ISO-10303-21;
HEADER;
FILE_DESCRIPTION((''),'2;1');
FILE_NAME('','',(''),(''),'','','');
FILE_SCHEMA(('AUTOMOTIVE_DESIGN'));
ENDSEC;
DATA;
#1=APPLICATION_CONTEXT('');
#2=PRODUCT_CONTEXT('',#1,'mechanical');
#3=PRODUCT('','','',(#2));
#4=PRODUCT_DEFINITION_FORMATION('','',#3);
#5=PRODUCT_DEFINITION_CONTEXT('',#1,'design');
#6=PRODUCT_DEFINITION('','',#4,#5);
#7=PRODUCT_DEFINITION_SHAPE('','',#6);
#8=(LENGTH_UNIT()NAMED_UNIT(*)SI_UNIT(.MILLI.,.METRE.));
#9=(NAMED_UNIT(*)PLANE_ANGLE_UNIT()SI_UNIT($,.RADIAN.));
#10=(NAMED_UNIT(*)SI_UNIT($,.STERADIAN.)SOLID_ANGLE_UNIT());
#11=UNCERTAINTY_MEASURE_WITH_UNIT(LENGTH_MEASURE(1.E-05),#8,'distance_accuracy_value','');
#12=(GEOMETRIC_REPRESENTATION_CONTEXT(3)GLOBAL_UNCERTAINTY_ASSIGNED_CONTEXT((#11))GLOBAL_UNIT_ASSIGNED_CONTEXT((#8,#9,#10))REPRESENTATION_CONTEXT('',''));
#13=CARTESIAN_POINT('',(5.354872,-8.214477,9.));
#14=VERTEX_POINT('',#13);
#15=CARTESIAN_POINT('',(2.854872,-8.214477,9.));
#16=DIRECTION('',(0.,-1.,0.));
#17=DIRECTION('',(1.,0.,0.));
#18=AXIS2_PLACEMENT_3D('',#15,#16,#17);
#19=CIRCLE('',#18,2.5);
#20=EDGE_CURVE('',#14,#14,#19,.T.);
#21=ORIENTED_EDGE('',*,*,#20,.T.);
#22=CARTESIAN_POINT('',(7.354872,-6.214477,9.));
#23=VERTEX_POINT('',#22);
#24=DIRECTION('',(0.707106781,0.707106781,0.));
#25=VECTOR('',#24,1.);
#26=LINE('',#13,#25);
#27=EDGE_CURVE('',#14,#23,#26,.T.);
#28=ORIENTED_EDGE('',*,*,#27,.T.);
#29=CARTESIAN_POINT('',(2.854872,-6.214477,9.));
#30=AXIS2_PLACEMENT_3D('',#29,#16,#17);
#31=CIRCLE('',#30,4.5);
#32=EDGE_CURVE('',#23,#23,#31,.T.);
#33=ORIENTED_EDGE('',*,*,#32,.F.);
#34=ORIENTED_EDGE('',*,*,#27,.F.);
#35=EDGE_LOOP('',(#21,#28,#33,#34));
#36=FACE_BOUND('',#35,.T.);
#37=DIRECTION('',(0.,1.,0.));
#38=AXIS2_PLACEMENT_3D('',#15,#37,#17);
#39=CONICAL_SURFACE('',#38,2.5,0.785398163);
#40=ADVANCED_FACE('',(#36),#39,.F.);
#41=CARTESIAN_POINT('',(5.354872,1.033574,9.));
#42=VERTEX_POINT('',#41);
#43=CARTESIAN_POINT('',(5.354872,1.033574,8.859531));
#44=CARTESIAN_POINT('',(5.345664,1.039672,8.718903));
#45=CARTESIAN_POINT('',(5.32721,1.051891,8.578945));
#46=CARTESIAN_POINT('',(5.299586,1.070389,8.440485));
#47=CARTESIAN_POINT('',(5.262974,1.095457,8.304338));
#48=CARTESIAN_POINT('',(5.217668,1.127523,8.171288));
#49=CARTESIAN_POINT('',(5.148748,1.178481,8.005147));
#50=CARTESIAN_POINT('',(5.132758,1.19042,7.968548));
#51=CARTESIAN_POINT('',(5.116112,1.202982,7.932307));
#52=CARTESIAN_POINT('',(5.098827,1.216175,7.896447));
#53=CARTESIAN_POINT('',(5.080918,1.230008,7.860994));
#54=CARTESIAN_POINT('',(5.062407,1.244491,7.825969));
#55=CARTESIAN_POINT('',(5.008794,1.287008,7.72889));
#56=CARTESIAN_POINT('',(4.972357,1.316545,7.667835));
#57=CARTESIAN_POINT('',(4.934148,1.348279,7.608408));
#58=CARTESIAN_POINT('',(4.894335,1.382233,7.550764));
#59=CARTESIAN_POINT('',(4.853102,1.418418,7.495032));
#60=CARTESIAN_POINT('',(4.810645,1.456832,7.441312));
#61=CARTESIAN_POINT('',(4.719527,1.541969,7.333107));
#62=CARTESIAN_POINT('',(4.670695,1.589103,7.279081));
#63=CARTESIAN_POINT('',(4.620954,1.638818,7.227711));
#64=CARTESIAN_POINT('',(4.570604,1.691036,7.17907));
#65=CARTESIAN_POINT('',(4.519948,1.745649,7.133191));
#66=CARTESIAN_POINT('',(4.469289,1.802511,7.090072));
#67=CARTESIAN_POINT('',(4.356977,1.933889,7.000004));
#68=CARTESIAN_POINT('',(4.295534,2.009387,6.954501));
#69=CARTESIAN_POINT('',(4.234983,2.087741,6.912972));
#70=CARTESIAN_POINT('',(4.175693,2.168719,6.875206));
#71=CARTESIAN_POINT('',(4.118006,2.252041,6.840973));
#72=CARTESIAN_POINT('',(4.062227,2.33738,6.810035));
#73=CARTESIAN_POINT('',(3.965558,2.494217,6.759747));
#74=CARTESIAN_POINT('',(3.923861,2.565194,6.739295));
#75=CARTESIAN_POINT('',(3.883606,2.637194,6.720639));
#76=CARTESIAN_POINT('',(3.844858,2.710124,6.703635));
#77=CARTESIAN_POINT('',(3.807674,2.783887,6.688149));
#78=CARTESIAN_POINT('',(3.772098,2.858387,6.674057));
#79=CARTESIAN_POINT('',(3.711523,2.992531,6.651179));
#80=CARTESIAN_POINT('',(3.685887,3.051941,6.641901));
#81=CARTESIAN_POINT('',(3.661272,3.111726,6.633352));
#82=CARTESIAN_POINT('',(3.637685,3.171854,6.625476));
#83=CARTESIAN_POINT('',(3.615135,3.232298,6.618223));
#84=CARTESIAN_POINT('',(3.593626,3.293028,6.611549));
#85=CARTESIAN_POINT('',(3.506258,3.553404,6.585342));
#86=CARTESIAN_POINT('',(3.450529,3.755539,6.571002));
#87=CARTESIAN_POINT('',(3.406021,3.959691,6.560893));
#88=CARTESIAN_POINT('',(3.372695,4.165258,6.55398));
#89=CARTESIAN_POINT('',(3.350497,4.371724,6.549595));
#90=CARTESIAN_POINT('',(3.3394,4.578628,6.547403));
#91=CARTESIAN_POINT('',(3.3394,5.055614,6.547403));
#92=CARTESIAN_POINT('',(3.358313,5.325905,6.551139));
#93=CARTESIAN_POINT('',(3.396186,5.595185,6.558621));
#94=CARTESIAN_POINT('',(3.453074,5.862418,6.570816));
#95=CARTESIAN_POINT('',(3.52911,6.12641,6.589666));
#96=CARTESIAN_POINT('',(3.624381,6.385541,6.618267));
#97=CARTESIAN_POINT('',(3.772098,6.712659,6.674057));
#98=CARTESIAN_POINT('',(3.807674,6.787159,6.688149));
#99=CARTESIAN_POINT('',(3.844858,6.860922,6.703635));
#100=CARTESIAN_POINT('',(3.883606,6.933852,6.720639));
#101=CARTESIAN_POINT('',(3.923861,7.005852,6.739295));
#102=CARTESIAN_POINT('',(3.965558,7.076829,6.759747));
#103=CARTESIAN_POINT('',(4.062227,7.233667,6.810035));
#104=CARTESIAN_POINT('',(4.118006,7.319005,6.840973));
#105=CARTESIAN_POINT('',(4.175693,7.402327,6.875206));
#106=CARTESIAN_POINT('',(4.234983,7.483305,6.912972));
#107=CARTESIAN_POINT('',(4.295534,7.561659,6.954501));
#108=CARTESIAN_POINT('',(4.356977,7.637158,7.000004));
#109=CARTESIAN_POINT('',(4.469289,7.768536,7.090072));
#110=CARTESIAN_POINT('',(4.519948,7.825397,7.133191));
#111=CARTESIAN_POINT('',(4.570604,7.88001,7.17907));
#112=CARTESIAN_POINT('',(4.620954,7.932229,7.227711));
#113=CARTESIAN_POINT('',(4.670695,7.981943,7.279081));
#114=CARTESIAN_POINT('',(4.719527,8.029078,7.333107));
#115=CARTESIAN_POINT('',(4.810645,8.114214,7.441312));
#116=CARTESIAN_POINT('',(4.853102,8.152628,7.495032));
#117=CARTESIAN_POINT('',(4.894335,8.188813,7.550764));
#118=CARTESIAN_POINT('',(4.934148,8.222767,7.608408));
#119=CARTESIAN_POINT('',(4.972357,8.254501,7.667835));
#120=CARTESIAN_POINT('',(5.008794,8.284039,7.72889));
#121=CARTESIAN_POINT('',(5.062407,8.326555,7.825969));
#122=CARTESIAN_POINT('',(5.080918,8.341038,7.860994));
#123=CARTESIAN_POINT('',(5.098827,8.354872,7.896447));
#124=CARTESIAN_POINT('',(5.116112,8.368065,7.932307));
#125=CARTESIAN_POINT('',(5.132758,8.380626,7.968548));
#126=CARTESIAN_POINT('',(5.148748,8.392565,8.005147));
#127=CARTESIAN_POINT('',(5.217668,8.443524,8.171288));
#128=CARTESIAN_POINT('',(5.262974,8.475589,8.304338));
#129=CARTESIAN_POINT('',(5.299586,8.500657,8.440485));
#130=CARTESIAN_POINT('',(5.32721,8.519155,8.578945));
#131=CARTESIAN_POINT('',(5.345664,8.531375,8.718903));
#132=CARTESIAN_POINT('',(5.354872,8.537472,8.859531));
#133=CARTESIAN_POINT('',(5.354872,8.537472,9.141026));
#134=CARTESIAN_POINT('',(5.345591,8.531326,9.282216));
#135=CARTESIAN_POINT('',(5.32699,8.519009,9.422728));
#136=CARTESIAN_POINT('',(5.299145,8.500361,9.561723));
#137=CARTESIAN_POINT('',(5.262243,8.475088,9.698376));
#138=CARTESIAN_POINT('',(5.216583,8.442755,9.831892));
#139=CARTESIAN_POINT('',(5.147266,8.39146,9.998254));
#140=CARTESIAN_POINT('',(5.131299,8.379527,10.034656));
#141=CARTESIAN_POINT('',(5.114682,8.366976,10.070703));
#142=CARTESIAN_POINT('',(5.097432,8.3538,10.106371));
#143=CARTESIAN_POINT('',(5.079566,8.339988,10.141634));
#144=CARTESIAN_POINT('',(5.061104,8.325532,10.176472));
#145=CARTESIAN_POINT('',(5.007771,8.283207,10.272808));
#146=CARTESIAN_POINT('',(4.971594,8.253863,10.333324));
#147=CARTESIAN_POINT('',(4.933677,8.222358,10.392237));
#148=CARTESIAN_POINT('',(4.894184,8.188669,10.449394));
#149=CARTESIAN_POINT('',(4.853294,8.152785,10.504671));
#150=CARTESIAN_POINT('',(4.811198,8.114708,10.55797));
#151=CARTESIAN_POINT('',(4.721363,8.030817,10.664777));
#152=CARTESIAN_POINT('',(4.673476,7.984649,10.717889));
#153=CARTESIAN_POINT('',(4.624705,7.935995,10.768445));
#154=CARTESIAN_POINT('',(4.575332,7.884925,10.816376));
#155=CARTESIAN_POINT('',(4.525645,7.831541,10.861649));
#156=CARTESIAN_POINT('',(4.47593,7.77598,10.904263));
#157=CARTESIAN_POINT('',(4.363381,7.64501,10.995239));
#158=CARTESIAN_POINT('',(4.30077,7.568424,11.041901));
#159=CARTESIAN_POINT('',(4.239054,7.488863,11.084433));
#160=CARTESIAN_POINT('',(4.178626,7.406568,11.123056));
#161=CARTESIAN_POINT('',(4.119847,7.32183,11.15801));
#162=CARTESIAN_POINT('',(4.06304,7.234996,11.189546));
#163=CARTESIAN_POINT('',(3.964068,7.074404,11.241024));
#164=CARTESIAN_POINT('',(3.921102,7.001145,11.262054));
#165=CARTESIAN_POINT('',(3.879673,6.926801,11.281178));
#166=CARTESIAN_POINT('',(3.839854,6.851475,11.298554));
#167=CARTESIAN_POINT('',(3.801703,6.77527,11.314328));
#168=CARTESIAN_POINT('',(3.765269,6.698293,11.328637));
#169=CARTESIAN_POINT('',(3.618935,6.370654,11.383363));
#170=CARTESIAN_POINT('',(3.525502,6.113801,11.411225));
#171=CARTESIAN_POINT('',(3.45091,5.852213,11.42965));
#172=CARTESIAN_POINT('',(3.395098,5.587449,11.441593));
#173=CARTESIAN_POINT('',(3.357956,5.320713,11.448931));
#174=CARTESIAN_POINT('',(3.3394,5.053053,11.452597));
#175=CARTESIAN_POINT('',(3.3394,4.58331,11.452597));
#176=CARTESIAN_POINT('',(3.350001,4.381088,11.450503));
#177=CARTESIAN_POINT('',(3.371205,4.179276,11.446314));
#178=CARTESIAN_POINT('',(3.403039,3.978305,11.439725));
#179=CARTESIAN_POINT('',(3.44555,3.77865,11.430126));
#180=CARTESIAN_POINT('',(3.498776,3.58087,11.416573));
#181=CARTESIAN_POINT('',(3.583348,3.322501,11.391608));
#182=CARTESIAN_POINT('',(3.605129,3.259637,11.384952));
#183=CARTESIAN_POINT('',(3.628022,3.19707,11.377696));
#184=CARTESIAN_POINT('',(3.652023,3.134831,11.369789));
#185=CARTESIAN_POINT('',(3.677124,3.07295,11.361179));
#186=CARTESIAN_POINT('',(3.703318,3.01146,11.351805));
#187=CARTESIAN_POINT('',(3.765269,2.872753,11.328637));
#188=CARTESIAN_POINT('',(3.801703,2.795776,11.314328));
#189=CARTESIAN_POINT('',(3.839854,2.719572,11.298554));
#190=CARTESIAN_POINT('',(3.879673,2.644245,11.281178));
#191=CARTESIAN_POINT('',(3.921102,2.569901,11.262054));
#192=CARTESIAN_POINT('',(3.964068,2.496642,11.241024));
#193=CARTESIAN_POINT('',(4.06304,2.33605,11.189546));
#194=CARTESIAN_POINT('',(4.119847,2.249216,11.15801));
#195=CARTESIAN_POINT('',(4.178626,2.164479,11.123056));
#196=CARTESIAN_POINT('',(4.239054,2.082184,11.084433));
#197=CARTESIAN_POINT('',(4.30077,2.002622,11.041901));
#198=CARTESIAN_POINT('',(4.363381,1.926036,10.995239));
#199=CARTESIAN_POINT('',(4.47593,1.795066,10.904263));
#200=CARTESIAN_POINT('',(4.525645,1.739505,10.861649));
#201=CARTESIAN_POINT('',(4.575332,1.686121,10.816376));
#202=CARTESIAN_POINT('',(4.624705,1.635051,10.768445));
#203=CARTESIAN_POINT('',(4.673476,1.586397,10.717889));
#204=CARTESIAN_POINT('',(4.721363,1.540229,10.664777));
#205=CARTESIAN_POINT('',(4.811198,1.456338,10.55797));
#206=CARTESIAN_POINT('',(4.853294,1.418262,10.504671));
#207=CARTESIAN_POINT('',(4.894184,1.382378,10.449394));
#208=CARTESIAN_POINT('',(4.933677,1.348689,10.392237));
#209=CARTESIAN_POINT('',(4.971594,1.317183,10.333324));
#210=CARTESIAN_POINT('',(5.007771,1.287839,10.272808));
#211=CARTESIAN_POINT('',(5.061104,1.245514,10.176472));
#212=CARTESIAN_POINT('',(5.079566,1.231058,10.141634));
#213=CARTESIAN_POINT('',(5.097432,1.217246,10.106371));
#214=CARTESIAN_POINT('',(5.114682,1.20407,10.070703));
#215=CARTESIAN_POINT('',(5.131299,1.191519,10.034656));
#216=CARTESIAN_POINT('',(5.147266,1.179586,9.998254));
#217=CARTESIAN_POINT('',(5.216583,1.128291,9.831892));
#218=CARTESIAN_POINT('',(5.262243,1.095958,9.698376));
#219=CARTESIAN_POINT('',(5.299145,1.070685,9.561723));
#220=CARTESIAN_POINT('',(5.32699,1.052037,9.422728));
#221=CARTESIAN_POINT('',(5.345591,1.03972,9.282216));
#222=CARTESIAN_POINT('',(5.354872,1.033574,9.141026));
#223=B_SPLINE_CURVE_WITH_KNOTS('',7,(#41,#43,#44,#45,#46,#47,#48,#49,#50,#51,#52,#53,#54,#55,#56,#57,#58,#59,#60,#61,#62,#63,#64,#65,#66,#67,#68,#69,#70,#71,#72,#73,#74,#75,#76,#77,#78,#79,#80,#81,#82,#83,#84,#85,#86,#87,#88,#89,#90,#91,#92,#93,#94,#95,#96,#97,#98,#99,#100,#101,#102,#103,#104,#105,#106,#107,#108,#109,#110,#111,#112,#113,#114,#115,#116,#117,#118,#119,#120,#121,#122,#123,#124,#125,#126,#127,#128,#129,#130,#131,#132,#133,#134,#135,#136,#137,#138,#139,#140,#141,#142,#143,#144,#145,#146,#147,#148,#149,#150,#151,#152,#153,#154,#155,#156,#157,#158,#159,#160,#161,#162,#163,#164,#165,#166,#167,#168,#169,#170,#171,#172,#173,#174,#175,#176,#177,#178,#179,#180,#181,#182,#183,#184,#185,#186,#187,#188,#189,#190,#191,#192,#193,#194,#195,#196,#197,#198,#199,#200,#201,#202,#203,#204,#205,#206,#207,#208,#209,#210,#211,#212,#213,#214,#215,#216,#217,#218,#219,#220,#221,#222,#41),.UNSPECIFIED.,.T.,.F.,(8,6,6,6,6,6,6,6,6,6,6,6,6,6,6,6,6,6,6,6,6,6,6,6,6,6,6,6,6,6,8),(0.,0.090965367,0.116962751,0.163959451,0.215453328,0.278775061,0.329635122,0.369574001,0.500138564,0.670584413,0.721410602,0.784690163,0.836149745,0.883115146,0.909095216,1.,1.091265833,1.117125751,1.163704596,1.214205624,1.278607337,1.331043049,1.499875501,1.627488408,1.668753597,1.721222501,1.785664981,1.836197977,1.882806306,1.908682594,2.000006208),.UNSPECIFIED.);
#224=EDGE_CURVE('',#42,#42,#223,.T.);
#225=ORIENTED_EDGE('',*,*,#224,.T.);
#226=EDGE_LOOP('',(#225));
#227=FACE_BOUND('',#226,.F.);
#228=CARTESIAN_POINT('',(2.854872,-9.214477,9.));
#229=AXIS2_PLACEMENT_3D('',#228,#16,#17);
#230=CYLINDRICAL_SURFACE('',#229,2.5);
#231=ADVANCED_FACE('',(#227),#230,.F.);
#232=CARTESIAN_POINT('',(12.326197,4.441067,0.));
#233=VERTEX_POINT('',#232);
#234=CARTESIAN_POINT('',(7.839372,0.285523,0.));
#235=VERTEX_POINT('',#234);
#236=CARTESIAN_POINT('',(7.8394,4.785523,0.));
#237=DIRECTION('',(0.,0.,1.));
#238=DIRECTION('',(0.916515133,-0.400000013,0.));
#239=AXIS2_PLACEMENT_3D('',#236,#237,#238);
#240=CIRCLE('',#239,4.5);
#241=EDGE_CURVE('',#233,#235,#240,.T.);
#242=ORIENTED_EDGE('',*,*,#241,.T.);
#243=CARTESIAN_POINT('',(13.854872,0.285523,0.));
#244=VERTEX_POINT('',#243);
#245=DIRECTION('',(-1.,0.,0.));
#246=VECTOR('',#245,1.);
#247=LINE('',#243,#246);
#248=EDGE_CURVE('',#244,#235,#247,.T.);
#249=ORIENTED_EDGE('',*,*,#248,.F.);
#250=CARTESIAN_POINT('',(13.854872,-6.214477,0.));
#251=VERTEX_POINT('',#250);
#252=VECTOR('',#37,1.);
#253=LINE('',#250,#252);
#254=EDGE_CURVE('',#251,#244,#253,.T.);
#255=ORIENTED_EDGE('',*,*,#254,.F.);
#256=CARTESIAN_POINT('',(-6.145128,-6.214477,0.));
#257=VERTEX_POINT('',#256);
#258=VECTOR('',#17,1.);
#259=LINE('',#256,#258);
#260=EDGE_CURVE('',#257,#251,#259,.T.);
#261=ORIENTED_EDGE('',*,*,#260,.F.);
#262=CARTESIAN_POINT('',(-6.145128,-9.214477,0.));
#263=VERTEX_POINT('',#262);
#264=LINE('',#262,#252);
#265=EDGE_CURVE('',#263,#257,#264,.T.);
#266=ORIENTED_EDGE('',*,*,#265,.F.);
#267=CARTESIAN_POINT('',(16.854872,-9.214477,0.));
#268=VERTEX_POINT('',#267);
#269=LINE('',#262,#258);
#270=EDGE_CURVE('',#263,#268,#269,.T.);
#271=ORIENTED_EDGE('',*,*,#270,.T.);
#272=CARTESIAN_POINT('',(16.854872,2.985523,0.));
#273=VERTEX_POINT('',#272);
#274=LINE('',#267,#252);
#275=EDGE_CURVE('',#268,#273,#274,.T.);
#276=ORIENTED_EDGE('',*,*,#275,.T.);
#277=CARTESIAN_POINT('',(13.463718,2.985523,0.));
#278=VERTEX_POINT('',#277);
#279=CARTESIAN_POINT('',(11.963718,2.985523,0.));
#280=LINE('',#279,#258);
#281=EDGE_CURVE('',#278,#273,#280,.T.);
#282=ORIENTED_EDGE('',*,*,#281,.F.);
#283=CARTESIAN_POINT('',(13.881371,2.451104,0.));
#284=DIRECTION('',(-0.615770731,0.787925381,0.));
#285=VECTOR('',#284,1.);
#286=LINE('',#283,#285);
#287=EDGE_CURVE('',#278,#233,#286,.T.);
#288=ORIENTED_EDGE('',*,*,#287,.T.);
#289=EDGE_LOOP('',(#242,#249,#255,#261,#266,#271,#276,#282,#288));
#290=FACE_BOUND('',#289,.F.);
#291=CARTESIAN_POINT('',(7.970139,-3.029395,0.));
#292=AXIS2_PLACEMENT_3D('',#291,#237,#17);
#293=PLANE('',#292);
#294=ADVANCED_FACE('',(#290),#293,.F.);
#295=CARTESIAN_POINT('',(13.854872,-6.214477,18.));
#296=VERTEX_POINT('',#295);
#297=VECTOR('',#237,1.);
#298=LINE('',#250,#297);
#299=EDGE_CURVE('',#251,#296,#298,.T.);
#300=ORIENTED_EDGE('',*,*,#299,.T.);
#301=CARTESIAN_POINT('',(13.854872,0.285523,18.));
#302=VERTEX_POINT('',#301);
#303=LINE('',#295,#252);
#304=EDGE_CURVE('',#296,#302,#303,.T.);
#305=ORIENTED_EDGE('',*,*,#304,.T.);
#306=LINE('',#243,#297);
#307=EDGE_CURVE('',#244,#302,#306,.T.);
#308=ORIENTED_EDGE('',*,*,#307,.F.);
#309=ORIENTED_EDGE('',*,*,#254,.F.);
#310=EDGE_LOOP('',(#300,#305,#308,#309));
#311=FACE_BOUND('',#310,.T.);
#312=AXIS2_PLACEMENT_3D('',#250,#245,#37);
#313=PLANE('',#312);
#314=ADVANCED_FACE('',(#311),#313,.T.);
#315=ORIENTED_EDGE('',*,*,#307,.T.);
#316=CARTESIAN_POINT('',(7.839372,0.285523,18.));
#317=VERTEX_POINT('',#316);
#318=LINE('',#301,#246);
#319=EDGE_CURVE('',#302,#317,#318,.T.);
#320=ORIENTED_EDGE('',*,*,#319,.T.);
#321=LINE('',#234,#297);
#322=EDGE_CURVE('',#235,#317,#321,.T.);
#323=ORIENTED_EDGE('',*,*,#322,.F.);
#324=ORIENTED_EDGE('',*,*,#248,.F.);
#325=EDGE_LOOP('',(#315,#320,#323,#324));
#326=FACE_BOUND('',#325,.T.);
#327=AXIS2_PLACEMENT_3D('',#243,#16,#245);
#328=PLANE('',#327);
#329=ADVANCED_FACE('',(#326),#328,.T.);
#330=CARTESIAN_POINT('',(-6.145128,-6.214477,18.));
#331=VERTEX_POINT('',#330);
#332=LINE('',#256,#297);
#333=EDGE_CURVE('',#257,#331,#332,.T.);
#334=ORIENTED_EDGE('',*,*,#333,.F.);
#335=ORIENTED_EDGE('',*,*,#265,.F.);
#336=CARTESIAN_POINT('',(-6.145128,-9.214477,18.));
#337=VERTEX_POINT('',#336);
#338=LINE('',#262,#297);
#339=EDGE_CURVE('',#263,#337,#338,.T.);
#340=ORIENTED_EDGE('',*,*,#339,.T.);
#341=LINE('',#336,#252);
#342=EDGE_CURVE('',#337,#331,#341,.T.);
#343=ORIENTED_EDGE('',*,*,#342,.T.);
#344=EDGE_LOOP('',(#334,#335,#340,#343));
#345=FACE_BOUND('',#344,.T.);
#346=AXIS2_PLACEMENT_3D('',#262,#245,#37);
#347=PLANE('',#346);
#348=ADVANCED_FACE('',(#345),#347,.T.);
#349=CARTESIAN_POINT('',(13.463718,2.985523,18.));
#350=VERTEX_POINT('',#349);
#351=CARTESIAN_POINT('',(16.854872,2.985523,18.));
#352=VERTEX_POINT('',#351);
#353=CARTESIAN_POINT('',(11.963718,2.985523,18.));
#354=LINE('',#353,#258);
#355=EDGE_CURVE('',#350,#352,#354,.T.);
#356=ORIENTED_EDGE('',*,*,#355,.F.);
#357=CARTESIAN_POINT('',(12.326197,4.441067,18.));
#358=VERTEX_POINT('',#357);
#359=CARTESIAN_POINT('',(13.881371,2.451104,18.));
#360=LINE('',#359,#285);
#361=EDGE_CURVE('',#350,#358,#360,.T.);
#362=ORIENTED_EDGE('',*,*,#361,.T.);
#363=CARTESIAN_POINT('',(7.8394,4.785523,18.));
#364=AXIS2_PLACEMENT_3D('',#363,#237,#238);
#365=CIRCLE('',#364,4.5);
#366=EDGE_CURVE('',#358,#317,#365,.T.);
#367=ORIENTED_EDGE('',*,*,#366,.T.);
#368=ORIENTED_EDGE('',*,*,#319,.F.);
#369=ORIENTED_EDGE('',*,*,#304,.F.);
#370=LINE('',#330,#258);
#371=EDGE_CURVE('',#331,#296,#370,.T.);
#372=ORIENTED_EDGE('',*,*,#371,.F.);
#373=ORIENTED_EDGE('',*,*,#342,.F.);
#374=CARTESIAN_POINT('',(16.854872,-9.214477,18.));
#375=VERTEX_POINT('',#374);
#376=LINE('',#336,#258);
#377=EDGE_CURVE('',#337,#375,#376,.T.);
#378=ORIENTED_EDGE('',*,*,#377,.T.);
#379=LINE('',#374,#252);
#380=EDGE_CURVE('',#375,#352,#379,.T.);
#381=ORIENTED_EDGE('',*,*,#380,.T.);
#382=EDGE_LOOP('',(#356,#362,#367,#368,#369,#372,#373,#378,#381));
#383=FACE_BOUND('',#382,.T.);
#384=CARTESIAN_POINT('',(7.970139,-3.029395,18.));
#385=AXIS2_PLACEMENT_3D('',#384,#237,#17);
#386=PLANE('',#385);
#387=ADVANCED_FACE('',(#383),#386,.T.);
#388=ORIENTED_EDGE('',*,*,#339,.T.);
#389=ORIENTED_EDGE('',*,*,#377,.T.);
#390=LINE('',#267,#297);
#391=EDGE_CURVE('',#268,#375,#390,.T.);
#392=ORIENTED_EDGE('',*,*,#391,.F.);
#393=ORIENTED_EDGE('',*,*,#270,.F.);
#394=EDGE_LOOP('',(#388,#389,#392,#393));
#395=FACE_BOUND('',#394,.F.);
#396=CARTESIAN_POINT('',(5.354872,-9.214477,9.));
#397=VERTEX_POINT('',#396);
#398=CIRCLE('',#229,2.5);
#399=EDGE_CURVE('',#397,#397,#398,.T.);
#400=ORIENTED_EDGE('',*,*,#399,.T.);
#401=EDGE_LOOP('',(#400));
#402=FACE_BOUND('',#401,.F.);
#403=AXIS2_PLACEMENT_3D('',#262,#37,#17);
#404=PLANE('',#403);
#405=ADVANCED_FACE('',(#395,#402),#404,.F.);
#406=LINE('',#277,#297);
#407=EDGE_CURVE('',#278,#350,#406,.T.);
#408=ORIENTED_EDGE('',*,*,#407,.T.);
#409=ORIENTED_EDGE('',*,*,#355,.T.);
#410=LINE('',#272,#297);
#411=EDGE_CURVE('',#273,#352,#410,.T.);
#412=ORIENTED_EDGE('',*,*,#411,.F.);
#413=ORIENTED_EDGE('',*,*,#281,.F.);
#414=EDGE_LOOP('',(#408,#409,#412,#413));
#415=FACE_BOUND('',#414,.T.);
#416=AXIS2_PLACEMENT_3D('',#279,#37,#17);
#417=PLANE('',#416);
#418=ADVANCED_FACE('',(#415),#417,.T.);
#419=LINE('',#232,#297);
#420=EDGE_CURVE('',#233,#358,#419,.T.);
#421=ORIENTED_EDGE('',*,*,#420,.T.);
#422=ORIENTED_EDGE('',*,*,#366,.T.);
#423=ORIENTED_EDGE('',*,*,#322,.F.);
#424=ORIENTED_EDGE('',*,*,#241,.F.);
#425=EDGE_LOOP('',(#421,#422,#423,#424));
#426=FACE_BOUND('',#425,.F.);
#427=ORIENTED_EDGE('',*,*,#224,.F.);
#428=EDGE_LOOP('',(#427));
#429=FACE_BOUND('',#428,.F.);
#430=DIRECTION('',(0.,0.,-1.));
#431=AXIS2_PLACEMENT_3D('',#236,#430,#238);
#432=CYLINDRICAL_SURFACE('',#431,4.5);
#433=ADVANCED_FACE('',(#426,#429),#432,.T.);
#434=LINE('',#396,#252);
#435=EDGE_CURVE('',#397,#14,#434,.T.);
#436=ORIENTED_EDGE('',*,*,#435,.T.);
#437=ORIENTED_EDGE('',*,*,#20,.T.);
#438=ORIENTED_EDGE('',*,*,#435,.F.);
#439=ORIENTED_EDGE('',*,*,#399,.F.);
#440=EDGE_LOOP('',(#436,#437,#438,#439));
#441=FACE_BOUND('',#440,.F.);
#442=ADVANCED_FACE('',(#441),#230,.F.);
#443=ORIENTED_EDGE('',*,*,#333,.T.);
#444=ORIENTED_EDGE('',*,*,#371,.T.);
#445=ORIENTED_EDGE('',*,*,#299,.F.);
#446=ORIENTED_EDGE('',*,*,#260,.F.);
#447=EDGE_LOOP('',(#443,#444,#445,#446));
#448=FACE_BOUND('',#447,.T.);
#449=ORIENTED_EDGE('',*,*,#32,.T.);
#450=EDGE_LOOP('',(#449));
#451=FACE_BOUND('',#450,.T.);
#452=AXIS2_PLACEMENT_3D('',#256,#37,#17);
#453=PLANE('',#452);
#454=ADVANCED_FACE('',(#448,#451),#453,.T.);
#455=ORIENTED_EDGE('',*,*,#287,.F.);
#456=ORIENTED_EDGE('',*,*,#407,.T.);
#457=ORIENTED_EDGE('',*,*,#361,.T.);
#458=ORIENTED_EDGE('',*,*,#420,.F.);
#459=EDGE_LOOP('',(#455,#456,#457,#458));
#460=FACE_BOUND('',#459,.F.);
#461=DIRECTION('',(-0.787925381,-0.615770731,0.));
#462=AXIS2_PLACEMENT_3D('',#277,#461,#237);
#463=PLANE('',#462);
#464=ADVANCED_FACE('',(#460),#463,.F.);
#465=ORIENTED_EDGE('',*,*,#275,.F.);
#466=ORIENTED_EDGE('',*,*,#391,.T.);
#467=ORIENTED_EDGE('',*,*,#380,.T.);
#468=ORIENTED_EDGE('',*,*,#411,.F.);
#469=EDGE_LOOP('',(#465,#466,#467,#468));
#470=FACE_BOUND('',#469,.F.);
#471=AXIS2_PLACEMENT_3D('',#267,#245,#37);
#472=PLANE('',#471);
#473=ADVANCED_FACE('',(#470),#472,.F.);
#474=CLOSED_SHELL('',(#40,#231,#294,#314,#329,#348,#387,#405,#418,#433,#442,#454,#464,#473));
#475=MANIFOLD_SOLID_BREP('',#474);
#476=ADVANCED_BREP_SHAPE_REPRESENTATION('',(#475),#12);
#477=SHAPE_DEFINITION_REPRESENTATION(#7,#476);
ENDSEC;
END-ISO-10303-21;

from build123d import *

# Parameters (mm, degrees)
PAD_DEPTH       = 18
SKETCH001_R     = 2.5
POCKET_DEPTH    = 18.501
CHAMFER_SIZE    = 2
CHAMFER001_SIZE = 1.5


with BuildPart() as part:
    # Sketch → Pad (new body)
    with BuildSketch(Plane.XY):
        with BuildLine():
            Line((-6.145128, -9.214477), (16.854872, -9.214477))
            Line((16.854872, -9.214477), (16.854872, 2.985523))
            Line((11.963718, 2.985523), (16.854872, 2.985523))
            ThreePointArc((11.963718, 2.985523), (5.37466, 8.550501), (7.839372, 0.285523))
            Line((13.854872, 0.285523), (7.839372, 0.285523))
            Line((13.854872, -6.214477), (13.854872, 0.285523))
            Line((-6.145128, -6.214477), (13.854872, -6.214477))
            Line((-6.145128, -9.214477), (-6.145128, -6.214477))
        make_face()
    extrude(amount=PAD_DEPTH)

    # Sketch001 → Pocket (cut, through all)
    with BuildSketch(Plane.XZ.offset(9.214477)):
        with Locations((2.854872, 9)):
            Circle(SKETCH001_R)
    extrude(amount=-POCKET_DEPTH, mode=Mode.SUBTRACT)

    # Chamfer
    chamfer_edges = [part.edges().sort_by_distance(p)[0] for p in [
        (0.354872, -6.214477, 9),
    ]]
    chamfer(chamfer_edges, length=CHAMFER_SIZE)

    # Chamfer001
    chamfer001_edges = [part.edges().sort_by_distance(p)[0] for p in [
        (11.963718, 2.985523, 9),
    ]]
    chamfer(chamfer001_edges, length=CHAMFER001_SIZE)


solid = part.part
